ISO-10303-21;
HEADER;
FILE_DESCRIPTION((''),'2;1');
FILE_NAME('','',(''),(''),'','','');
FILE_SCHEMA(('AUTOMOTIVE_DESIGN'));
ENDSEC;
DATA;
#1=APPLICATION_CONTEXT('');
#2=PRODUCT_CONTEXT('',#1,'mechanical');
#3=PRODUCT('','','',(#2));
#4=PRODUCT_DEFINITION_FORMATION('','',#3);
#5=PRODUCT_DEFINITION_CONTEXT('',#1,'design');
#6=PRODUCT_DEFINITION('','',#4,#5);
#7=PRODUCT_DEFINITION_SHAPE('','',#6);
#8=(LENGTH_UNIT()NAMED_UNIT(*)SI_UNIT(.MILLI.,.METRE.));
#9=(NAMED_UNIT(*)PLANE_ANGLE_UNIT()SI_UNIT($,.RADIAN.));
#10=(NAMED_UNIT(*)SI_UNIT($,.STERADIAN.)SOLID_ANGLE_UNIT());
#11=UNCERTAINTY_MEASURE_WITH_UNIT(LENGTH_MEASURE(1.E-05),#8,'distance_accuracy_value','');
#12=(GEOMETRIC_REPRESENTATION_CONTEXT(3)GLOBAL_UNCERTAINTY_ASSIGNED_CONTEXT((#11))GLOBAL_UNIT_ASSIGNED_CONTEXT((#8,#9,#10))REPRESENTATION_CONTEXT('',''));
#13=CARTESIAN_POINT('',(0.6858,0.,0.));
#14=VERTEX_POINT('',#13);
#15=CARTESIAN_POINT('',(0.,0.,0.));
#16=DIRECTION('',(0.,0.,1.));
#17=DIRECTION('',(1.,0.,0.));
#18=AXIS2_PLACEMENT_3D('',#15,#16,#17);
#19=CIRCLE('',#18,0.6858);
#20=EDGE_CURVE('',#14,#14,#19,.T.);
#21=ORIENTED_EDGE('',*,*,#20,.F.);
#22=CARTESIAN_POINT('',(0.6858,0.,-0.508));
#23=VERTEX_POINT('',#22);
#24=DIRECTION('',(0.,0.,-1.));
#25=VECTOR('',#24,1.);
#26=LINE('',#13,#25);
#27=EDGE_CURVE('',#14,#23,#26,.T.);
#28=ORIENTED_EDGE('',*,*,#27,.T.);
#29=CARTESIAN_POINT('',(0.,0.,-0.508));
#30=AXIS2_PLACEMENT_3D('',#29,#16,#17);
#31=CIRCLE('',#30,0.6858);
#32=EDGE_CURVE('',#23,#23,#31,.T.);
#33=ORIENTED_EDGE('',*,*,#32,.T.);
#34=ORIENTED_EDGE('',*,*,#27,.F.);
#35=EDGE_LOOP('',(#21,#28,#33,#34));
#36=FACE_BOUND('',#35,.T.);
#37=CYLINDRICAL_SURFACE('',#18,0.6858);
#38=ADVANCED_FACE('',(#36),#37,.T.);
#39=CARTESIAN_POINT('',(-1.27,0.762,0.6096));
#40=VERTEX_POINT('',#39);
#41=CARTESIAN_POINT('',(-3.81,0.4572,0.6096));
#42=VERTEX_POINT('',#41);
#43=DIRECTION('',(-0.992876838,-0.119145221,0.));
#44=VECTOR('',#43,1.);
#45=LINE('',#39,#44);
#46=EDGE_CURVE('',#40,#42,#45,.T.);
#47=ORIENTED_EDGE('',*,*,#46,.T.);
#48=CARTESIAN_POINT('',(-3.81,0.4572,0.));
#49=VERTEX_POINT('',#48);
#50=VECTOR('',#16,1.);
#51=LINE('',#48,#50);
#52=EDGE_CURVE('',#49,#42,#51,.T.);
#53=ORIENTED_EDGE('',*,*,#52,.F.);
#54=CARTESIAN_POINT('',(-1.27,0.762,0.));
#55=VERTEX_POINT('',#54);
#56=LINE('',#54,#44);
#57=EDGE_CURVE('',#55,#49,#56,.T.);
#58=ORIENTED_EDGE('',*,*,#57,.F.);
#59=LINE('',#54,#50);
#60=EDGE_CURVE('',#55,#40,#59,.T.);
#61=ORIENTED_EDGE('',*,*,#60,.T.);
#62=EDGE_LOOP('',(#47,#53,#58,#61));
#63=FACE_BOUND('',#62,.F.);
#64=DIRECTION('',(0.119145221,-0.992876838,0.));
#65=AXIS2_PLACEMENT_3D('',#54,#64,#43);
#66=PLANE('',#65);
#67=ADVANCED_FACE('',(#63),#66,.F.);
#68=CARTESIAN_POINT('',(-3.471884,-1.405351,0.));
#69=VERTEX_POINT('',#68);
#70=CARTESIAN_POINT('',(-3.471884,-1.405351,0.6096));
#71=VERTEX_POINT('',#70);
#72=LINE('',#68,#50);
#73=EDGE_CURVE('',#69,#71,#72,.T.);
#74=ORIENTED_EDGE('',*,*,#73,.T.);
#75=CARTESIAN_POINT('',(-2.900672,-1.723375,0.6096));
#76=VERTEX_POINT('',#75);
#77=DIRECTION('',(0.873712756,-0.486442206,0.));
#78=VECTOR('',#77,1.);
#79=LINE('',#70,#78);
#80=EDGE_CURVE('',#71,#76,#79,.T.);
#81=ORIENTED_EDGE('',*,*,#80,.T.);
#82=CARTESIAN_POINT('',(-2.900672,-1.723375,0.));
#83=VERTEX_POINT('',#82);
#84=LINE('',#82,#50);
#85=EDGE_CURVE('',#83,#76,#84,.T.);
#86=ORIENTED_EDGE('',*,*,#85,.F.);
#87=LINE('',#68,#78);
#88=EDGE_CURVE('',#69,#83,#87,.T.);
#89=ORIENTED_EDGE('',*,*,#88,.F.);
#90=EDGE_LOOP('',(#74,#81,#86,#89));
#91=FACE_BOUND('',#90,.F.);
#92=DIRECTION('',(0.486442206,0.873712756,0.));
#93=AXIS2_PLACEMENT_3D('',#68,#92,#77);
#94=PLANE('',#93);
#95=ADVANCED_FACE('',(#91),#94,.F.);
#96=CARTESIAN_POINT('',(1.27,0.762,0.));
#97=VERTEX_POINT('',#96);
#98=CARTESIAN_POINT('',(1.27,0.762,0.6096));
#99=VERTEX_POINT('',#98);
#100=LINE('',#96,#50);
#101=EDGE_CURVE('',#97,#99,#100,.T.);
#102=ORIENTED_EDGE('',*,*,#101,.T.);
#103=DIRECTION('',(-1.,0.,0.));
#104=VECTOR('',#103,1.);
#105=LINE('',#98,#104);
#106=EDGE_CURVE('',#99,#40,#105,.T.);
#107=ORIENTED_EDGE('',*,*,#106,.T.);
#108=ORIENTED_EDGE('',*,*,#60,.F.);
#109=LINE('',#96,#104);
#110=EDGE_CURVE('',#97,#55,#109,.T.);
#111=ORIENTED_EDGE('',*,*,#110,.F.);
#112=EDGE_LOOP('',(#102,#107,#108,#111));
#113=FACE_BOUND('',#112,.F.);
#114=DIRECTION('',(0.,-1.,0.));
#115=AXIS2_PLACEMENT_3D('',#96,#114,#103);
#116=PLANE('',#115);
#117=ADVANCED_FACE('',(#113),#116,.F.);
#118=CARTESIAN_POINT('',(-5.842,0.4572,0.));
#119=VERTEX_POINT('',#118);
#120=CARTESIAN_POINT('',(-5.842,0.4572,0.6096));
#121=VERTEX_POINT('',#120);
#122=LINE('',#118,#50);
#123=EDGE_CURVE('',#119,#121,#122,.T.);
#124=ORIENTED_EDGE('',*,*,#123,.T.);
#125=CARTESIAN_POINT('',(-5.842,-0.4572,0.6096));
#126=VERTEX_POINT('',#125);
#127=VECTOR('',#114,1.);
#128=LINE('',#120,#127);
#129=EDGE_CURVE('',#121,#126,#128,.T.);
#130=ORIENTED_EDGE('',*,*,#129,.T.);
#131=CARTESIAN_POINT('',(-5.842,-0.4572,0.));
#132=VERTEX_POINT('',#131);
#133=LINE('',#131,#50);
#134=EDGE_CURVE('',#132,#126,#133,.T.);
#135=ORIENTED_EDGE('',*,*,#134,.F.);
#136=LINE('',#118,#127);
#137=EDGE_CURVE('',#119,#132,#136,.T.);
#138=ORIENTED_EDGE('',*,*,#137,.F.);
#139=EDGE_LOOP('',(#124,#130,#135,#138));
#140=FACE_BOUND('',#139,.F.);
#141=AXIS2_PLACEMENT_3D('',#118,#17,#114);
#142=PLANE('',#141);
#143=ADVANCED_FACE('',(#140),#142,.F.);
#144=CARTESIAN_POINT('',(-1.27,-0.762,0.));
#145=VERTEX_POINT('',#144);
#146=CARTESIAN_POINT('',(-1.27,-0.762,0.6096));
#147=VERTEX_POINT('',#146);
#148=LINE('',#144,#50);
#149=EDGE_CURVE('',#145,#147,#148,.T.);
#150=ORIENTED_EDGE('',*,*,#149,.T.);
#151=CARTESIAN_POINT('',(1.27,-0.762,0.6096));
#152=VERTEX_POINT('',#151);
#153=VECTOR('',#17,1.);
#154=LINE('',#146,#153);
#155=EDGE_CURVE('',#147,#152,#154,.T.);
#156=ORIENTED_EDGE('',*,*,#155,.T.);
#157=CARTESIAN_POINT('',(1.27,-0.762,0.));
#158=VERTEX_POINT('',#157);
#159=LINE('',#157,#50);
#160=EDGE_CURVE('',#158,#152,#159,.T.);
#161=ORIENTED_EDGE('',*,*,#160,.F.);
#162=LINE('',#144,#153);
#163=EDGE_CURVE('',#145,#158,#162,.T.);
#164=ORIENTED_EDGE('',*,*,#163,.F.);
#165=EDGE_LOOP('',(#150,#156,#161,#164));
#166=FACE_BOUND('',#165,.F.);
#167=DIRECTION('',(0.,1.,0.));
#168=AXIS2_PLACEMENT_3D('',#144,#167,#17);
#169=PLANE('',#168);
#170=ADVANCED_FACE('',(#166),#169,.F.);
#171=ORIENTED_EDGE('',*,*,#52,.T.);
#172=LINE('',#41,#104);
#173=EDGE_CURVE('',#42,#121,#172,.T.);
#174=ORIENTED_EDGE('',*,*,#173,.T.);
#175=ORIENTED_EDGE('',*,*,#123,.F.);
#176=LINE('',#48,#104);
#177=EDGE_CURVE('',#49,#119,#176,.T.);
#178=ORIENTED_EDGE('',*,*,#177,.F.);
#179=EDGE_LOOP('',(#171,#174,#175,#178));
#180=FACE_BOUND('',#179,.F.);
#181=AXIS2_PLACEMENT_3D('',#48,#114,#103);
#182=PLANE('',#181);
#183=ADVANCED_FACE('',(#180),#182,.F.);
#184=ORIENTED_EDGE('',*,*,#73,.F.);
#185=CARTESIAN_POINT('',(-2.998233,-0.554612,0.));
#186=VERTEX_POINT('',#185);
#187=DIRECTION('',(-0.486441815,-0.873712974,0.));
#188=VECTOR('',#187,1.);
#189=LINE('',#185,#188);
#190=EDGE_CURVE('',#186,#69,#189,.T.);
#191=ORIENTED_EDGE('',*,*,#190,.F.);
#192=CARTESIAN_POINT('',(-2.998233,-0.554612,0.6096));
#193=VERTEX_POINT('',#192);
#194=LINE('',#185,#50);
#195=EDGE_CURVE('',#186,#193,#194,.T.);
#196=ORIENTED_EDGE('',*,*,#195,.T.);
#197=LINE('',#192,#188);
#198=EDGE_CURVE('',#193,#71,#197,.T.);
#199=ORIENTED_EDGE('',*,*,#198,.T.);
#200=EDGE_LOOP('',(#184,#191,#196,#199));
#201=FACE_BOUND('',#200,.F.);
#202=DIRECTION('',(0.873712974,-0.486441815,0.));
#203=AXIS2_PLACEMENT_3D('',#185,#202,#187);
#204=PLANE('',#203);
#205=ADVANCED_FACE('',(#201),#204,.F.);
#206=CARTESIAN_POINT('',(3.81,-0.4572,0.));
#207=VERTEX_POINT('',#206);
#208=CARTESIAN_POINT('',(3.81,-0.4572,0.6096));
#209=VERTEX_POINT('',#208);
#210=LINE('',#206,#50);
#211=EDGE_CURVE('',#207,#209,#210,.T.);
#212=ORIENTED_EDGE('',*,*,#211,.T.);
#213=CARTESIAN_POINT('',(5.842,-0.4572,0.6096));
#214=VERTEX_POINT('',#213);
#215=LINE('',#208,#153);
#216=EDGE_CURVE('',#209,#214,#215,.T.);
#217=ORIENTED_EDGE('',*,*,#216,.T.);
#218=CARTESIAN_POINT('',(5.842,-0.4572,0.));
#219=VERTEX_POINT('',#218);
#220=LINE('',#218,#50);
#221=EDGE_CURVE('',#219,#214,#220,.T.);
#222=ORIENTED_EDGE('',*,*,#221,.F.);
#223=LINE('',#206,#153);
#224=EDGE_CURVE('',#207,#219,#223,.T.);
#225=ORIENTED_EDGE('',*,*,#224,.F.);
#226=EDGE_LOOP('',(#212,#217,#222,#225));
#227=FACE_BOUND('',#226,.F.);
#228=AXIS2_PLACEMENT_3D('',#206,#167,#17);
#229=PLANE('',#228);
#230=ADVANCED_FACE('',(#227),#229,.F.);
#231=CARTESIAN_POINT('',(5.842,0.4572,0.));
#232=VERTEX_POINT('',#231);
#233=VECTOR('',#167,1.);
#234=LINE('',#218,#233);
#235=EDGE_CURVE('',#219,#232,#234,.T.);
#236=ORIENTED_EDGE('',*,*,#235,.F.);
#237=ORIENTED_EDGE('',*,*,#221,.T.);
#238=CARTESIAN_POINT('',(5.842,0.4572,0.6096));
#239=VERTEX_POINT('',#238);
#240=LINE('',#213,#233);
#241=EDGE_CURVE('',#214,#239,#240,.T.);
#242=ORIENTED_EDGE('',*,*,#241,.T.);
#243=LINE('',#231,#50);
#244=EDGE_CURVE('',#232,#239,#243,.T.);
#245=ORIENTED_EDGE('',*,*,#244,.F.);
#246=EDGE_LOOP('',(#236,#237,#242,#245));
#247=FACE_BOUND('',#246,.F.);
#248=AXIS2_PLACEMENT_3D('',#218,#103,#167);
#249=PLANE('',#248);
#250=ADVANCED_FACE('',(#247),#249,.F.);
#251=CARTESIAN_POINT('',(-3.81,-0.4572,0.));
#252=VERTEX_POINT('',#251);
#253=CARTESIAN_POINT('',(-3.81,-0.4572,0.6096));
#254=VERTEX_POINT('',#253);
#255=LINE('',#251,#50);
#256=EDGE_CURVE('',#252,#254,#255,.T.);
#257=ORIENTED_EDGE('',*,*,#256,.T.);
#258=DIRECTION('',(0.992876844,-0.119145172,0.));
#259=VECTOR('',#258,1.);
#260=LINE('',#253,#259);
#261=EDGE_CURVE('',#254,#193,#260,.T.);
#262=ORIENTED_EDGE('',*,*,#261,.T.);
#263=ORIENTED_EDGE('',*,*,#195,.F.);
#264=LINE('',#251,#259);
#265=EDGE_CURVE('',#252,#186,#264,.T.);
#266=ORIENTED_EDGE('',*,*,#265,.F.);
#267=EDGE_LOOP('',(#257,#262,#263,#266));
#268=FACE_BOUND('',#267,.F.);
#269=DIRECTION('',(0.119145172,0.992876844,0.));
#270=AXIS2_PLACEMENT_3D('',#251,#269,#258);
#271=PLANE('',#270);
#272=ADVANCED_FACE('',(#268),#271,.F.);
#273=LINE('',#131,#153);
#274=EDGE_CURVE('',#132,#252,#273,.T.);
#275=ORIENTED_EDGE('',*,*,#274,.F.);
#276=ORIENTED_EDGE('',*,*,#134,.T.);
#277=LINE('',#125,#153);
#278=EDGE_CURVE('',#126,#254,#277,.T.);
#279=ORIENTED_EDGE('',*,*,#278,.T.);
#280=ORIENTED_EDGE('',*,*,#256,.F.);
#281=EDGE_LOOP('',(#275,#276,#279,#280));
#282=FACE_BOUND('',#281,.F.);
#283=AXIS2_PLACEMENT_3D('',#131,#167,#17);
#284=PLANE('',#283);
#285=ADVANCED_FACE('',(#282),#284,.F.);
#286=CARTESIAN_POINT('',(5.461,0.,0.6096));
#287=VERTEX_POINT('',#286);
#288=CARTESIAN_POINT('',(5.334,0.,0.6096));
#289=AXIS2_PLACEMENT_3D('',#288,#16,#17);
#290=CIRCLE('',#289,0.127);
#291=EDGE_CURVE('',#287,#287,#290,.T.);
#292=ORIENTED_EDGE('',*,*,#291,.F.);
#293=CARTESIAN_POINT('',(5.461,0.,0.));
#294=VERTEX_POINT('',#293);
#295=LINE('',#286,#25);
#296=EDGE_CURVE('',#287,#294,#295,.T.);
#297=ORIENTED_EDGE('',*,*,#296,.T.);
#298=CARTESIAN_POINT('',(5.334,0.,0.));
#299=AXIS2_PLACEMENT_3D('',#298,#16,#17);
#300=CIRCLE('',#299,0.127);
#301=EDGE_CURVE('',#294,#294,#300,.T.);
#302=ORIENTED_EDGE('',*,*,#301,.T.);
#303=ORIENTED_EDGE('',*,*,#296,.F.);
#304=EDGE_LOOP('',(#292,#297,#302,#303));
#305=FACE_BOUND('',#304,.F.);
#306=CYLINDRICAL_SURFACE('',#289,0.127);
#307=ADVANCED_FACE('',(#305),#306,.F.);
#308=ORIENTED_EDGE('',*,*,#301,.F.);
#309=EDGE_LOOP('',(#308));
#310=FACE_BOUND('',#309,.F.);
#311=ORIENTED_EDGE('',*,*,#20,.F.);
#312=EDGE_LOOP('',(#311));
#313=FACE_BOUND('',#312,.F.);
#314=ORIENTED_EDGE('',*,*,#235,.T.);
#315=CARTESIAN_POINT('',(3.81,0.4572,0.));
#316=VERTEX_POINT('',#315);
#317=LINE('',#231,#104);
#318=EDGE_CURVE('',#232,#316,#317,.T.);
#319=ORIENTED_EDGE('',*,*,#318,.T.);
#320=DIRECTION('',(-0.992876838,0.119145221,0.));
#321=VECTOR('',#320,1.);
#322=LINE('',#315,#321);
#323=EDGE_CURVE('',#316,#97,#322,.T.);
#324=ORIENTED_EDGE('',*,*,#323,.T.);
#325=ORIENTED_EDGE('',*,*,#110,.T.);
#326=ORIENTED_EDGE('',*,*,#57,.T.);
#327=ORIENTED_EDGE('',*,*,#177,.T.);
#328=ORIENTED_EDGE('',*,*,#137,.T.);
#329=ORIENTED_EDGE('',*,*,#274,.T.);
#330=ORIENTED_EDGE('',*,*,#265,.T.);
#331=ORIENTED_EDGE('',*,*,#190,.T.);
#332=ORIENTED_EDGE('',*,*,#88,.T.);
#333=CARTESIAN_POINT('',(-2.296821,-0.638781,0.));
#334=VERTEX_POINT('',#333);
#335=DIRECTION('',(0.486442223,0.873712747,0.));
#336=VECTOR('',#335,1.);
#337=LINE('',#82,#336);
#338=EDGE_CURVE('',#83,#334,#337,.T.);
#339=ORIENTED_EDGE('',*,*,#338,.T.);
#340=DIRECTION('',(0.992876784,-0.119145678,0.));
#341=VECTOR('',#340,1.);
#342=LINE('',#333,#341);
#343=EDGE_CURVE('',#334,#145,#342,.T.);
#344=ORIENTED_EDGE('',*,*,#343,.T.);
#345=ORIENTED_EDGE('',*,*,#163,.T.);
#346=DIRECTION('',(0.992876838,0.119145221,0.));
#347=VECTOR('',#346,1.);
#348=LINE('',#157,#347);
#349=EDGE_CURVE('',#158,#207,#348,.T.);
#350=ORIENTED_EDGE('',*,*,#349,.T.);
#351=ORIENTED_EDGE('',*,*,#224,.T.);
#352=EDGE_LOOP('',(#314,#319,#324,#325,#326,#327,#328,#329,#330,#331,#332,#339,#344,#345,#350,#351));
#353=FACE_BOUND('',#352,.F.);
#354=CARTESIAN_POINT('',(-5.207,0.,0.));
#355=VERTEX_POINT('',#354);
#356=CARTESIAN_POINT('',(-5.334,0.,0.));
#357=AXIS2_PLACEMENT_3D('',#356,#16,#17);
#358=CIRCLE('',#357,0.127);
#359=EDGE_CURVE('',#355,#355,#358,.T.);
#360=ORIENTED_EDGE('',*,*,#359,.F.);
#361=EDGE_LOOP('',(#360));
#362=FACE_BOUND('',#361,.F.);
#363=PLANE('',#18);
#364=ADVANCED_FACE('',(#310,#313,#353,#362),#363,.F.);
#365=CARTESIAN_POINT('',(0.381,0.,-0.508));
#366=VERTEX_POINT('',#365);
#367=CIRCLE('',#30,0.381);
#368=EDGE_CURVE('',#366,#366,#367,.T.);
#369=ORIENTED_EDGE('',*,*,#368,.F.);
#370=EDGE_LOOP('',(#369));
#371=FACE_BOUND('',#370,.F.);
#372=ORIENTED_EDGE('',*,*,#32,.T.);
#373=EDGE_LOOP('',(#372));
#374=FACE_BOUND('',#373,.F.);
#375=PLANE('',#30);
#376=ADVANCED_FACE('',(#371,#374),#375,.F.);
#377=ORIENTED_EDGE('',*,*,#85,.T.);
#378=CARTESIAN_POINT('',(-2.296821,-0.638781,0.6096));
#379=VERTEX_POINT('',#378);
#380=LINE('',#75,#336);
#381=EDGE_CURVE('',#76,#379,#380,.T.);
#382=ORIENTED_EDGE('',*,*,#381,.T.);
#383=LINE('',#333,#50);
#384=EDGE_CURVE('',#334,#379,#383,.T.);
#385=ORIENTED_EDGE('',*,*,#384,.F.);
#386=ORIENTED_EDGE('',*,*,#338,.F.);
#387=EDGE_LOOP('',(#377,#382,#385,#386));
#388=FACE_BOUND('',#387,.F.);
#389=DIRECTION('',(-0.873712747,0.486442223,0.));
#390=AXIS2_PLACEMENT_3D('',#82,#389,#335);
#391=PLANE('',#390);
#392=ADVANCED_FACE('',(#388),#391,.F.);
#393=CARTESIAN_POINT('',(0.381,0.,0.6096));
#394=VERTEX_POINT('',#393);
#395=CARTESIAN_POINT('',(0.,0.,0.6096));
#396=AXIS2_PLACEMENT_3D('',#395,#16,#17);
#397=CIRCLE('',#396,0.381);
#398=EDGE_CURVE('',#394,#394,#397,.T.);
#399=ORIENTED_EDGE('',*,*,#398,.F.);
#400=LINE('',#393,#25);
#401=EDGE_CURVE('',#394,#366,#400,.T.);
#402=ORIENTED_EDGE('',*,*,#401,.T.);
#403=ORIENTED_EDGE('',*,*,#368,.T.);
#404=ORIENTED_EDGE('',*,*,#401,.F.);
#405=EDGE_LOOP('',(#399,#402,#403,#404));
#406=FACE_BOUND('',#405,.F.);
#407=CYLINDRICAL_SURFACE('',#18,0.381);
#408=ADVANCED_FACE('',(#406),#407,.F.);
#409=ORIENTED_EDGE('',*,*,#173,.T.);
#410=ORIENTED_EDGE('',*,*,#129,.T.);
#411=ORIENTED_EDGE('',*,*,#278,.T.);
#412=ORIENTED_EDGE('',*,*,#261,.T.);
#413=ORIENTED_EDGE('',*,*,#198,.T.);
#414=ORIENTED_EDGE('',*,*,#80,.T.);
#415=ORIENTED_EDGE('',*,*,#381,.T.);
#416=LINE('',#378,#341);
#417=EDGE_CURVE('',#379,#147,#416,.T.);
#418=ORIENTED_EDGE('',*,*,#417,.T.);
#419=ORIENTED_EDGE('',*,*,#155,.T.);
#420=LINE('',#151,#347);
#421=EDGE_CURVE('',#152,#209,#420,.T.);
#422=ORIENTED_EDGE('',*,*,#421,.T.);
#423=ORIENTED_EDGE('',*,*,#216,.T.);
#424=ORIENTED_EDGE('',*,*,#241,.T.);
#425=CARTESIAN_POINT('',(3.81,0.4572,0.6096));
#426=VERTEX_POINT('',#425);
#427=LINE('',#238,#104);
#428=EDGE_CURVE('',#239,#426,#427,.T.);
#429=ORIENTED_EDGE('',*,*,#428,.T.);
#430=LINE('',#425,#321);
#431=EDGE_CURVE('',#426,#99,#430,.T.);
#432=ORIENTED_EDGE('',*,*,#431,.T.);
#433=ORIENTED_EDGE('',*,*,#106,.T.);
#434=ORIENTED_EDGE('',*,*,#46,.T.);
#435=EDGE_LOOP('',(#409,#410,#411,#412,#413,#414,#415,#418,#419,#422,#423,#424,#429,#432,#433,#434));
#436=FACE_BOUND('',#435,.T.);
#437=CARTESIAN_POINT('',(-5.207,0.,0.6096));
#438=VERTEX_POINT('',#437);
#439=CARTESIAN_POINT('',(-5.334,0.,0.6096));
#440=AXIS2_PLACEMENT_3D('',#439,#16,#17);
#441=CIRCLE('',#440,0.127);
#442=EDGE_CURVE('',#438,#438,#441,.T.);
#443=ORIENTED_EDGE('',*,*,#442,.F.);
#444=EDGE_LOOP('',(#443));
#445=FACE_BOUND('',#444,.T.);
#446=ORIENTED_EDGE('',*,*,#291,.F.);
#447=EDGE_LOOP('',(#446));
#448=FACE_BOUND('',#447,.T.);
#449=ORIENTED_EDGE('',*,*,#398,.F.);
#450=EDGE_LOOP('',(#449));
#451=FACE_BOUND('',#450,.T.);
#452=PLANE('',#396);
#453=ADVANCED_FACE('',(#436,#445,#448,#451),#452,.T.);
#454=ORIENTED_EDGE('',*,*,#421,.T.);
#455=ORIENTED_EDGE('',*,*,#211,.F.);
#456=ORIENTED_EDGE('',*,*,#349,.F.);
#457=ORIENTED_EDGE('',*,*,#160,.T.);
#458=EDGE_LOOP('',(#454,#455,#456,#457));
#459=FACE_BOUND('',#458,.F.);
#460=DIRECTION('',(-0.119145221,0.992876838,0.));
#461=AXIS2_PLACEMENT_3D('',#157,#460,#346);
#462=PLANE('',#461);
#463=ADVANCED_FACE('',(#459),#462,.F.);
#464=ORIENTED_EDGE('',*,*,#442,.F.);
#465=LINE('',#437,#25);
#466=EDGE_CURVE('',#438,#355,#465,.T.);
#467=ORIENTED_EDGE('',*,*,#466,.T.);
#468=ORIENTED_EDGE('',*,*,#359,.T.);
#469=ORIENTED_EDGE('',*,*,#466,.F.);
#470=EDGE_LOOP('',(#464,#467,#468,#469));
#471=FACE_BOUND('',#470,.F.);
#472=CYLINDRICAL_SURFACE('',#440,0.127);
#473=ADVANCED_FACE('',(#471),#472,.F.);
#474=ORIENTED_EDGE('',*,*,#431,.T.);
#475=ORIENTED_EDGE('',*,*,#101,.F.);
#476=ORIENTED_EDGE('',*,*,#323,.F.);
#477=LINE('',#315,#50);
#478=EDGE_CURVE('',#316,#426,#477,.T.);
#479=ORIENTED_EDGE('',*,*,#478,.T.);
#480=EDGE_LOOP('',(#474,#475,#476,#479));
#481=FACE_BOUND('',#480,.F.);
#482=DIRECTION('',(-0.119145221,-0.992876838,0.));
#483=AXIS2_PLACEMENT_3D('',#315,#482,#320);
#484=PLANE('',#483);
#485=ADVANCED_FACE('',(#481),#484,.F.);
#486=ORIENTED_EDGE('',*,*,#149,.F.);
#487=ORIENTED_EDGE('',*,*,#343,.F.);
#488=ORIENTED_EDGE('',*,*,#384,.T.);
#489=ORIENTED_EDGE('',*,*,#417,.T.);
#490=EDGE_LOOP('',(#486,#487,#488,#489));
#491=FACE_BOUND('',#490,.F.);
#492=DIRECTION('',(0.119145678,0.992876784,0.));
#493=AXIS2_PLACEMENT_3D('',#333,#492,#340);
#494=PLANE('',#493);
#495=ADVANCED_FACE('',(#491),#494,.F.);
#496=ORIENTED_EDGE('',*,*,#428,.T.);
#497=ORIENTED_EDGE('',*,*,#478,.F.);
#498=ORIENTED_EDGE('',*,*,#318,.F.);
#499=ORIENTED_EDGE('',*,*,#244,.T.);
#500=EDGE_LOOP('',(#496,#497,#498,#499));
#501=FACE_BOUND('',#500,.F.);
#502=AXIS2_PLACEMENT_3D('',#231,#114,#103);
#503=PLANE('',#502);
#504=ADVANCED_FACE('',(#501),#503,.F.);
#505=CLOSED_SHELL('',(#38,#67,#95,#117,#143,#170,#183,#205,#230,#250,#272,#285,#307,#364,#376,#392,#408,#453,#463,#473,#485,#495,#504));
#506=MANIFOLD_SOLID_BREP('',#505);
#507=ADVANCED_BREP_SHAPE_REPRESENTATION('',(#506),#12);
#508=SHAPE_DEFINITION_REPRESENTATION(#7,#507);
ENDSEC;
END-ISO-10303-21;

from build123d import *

# Parameters (mm, degrees)
F1_DEPTH = 0.6096
F2_R     = 0.381
F3_DEPTH = 25.4
F4_R     = 0.127
F5_DEPTH = 2.54
F6_R     = 0.6858
F6_R_2   = 0.381
F7_DEPTH = 0.508


with BuildPart() as f1:
    # F0 (on Top) → F1 (new body)
    with BuildSketch(Plane.XY):
        Polygon((1.27, 0.762), (-1.27, 0.762), (-3.81, 0.4572), (-5.842, 0.4572), (-5.842, -0.4572), (-3.81, -0.4572), (-2.998233, -0.554612), (-2.296821, -0.638781), (-1.27, -0.762), (1.27, -0.762), (3.81, -0.4572), (5.842, -0.4572), (5.842, 0.4572), (3.81, 0.4572), align=None)
        Polygon((-2.296821, -0.638781), (-2.998233, -0.554612), (-3.471884, -1.405351), (-2.900672, -1.723375), align=None)
    extrude(amount=F1_DEPTH)

    # F2 (on face) → F3 (cut)
    with BuildSketch(Plane.XY.offset(0.6096)):
        Circle(F2_R)
    extrude(amount=-F3_DEPTH, mode=Mode.SUBTRACT)

    # F4 (on face) → F5 (cut)
    with BuildSketch(Plane.XY.offset(0.6096)):
        with Locations((-5.334, 0)):
            Circle(F4_R)
        with Locations((5.334, 0)):
            Circle(F4_R)
    extrude(amount=-F5_DEPTH, mode=Mode.SUBTRACT)

    # F6 (on Top) → F7 (join)
    with BuildSketch(Plane.XY):
        Circle(F6_R)
        Circle(F6_R_2, mode=Mode.SUBTRACT)
    extrude(amount=-F7_DEPTH)


solid = f1.part
